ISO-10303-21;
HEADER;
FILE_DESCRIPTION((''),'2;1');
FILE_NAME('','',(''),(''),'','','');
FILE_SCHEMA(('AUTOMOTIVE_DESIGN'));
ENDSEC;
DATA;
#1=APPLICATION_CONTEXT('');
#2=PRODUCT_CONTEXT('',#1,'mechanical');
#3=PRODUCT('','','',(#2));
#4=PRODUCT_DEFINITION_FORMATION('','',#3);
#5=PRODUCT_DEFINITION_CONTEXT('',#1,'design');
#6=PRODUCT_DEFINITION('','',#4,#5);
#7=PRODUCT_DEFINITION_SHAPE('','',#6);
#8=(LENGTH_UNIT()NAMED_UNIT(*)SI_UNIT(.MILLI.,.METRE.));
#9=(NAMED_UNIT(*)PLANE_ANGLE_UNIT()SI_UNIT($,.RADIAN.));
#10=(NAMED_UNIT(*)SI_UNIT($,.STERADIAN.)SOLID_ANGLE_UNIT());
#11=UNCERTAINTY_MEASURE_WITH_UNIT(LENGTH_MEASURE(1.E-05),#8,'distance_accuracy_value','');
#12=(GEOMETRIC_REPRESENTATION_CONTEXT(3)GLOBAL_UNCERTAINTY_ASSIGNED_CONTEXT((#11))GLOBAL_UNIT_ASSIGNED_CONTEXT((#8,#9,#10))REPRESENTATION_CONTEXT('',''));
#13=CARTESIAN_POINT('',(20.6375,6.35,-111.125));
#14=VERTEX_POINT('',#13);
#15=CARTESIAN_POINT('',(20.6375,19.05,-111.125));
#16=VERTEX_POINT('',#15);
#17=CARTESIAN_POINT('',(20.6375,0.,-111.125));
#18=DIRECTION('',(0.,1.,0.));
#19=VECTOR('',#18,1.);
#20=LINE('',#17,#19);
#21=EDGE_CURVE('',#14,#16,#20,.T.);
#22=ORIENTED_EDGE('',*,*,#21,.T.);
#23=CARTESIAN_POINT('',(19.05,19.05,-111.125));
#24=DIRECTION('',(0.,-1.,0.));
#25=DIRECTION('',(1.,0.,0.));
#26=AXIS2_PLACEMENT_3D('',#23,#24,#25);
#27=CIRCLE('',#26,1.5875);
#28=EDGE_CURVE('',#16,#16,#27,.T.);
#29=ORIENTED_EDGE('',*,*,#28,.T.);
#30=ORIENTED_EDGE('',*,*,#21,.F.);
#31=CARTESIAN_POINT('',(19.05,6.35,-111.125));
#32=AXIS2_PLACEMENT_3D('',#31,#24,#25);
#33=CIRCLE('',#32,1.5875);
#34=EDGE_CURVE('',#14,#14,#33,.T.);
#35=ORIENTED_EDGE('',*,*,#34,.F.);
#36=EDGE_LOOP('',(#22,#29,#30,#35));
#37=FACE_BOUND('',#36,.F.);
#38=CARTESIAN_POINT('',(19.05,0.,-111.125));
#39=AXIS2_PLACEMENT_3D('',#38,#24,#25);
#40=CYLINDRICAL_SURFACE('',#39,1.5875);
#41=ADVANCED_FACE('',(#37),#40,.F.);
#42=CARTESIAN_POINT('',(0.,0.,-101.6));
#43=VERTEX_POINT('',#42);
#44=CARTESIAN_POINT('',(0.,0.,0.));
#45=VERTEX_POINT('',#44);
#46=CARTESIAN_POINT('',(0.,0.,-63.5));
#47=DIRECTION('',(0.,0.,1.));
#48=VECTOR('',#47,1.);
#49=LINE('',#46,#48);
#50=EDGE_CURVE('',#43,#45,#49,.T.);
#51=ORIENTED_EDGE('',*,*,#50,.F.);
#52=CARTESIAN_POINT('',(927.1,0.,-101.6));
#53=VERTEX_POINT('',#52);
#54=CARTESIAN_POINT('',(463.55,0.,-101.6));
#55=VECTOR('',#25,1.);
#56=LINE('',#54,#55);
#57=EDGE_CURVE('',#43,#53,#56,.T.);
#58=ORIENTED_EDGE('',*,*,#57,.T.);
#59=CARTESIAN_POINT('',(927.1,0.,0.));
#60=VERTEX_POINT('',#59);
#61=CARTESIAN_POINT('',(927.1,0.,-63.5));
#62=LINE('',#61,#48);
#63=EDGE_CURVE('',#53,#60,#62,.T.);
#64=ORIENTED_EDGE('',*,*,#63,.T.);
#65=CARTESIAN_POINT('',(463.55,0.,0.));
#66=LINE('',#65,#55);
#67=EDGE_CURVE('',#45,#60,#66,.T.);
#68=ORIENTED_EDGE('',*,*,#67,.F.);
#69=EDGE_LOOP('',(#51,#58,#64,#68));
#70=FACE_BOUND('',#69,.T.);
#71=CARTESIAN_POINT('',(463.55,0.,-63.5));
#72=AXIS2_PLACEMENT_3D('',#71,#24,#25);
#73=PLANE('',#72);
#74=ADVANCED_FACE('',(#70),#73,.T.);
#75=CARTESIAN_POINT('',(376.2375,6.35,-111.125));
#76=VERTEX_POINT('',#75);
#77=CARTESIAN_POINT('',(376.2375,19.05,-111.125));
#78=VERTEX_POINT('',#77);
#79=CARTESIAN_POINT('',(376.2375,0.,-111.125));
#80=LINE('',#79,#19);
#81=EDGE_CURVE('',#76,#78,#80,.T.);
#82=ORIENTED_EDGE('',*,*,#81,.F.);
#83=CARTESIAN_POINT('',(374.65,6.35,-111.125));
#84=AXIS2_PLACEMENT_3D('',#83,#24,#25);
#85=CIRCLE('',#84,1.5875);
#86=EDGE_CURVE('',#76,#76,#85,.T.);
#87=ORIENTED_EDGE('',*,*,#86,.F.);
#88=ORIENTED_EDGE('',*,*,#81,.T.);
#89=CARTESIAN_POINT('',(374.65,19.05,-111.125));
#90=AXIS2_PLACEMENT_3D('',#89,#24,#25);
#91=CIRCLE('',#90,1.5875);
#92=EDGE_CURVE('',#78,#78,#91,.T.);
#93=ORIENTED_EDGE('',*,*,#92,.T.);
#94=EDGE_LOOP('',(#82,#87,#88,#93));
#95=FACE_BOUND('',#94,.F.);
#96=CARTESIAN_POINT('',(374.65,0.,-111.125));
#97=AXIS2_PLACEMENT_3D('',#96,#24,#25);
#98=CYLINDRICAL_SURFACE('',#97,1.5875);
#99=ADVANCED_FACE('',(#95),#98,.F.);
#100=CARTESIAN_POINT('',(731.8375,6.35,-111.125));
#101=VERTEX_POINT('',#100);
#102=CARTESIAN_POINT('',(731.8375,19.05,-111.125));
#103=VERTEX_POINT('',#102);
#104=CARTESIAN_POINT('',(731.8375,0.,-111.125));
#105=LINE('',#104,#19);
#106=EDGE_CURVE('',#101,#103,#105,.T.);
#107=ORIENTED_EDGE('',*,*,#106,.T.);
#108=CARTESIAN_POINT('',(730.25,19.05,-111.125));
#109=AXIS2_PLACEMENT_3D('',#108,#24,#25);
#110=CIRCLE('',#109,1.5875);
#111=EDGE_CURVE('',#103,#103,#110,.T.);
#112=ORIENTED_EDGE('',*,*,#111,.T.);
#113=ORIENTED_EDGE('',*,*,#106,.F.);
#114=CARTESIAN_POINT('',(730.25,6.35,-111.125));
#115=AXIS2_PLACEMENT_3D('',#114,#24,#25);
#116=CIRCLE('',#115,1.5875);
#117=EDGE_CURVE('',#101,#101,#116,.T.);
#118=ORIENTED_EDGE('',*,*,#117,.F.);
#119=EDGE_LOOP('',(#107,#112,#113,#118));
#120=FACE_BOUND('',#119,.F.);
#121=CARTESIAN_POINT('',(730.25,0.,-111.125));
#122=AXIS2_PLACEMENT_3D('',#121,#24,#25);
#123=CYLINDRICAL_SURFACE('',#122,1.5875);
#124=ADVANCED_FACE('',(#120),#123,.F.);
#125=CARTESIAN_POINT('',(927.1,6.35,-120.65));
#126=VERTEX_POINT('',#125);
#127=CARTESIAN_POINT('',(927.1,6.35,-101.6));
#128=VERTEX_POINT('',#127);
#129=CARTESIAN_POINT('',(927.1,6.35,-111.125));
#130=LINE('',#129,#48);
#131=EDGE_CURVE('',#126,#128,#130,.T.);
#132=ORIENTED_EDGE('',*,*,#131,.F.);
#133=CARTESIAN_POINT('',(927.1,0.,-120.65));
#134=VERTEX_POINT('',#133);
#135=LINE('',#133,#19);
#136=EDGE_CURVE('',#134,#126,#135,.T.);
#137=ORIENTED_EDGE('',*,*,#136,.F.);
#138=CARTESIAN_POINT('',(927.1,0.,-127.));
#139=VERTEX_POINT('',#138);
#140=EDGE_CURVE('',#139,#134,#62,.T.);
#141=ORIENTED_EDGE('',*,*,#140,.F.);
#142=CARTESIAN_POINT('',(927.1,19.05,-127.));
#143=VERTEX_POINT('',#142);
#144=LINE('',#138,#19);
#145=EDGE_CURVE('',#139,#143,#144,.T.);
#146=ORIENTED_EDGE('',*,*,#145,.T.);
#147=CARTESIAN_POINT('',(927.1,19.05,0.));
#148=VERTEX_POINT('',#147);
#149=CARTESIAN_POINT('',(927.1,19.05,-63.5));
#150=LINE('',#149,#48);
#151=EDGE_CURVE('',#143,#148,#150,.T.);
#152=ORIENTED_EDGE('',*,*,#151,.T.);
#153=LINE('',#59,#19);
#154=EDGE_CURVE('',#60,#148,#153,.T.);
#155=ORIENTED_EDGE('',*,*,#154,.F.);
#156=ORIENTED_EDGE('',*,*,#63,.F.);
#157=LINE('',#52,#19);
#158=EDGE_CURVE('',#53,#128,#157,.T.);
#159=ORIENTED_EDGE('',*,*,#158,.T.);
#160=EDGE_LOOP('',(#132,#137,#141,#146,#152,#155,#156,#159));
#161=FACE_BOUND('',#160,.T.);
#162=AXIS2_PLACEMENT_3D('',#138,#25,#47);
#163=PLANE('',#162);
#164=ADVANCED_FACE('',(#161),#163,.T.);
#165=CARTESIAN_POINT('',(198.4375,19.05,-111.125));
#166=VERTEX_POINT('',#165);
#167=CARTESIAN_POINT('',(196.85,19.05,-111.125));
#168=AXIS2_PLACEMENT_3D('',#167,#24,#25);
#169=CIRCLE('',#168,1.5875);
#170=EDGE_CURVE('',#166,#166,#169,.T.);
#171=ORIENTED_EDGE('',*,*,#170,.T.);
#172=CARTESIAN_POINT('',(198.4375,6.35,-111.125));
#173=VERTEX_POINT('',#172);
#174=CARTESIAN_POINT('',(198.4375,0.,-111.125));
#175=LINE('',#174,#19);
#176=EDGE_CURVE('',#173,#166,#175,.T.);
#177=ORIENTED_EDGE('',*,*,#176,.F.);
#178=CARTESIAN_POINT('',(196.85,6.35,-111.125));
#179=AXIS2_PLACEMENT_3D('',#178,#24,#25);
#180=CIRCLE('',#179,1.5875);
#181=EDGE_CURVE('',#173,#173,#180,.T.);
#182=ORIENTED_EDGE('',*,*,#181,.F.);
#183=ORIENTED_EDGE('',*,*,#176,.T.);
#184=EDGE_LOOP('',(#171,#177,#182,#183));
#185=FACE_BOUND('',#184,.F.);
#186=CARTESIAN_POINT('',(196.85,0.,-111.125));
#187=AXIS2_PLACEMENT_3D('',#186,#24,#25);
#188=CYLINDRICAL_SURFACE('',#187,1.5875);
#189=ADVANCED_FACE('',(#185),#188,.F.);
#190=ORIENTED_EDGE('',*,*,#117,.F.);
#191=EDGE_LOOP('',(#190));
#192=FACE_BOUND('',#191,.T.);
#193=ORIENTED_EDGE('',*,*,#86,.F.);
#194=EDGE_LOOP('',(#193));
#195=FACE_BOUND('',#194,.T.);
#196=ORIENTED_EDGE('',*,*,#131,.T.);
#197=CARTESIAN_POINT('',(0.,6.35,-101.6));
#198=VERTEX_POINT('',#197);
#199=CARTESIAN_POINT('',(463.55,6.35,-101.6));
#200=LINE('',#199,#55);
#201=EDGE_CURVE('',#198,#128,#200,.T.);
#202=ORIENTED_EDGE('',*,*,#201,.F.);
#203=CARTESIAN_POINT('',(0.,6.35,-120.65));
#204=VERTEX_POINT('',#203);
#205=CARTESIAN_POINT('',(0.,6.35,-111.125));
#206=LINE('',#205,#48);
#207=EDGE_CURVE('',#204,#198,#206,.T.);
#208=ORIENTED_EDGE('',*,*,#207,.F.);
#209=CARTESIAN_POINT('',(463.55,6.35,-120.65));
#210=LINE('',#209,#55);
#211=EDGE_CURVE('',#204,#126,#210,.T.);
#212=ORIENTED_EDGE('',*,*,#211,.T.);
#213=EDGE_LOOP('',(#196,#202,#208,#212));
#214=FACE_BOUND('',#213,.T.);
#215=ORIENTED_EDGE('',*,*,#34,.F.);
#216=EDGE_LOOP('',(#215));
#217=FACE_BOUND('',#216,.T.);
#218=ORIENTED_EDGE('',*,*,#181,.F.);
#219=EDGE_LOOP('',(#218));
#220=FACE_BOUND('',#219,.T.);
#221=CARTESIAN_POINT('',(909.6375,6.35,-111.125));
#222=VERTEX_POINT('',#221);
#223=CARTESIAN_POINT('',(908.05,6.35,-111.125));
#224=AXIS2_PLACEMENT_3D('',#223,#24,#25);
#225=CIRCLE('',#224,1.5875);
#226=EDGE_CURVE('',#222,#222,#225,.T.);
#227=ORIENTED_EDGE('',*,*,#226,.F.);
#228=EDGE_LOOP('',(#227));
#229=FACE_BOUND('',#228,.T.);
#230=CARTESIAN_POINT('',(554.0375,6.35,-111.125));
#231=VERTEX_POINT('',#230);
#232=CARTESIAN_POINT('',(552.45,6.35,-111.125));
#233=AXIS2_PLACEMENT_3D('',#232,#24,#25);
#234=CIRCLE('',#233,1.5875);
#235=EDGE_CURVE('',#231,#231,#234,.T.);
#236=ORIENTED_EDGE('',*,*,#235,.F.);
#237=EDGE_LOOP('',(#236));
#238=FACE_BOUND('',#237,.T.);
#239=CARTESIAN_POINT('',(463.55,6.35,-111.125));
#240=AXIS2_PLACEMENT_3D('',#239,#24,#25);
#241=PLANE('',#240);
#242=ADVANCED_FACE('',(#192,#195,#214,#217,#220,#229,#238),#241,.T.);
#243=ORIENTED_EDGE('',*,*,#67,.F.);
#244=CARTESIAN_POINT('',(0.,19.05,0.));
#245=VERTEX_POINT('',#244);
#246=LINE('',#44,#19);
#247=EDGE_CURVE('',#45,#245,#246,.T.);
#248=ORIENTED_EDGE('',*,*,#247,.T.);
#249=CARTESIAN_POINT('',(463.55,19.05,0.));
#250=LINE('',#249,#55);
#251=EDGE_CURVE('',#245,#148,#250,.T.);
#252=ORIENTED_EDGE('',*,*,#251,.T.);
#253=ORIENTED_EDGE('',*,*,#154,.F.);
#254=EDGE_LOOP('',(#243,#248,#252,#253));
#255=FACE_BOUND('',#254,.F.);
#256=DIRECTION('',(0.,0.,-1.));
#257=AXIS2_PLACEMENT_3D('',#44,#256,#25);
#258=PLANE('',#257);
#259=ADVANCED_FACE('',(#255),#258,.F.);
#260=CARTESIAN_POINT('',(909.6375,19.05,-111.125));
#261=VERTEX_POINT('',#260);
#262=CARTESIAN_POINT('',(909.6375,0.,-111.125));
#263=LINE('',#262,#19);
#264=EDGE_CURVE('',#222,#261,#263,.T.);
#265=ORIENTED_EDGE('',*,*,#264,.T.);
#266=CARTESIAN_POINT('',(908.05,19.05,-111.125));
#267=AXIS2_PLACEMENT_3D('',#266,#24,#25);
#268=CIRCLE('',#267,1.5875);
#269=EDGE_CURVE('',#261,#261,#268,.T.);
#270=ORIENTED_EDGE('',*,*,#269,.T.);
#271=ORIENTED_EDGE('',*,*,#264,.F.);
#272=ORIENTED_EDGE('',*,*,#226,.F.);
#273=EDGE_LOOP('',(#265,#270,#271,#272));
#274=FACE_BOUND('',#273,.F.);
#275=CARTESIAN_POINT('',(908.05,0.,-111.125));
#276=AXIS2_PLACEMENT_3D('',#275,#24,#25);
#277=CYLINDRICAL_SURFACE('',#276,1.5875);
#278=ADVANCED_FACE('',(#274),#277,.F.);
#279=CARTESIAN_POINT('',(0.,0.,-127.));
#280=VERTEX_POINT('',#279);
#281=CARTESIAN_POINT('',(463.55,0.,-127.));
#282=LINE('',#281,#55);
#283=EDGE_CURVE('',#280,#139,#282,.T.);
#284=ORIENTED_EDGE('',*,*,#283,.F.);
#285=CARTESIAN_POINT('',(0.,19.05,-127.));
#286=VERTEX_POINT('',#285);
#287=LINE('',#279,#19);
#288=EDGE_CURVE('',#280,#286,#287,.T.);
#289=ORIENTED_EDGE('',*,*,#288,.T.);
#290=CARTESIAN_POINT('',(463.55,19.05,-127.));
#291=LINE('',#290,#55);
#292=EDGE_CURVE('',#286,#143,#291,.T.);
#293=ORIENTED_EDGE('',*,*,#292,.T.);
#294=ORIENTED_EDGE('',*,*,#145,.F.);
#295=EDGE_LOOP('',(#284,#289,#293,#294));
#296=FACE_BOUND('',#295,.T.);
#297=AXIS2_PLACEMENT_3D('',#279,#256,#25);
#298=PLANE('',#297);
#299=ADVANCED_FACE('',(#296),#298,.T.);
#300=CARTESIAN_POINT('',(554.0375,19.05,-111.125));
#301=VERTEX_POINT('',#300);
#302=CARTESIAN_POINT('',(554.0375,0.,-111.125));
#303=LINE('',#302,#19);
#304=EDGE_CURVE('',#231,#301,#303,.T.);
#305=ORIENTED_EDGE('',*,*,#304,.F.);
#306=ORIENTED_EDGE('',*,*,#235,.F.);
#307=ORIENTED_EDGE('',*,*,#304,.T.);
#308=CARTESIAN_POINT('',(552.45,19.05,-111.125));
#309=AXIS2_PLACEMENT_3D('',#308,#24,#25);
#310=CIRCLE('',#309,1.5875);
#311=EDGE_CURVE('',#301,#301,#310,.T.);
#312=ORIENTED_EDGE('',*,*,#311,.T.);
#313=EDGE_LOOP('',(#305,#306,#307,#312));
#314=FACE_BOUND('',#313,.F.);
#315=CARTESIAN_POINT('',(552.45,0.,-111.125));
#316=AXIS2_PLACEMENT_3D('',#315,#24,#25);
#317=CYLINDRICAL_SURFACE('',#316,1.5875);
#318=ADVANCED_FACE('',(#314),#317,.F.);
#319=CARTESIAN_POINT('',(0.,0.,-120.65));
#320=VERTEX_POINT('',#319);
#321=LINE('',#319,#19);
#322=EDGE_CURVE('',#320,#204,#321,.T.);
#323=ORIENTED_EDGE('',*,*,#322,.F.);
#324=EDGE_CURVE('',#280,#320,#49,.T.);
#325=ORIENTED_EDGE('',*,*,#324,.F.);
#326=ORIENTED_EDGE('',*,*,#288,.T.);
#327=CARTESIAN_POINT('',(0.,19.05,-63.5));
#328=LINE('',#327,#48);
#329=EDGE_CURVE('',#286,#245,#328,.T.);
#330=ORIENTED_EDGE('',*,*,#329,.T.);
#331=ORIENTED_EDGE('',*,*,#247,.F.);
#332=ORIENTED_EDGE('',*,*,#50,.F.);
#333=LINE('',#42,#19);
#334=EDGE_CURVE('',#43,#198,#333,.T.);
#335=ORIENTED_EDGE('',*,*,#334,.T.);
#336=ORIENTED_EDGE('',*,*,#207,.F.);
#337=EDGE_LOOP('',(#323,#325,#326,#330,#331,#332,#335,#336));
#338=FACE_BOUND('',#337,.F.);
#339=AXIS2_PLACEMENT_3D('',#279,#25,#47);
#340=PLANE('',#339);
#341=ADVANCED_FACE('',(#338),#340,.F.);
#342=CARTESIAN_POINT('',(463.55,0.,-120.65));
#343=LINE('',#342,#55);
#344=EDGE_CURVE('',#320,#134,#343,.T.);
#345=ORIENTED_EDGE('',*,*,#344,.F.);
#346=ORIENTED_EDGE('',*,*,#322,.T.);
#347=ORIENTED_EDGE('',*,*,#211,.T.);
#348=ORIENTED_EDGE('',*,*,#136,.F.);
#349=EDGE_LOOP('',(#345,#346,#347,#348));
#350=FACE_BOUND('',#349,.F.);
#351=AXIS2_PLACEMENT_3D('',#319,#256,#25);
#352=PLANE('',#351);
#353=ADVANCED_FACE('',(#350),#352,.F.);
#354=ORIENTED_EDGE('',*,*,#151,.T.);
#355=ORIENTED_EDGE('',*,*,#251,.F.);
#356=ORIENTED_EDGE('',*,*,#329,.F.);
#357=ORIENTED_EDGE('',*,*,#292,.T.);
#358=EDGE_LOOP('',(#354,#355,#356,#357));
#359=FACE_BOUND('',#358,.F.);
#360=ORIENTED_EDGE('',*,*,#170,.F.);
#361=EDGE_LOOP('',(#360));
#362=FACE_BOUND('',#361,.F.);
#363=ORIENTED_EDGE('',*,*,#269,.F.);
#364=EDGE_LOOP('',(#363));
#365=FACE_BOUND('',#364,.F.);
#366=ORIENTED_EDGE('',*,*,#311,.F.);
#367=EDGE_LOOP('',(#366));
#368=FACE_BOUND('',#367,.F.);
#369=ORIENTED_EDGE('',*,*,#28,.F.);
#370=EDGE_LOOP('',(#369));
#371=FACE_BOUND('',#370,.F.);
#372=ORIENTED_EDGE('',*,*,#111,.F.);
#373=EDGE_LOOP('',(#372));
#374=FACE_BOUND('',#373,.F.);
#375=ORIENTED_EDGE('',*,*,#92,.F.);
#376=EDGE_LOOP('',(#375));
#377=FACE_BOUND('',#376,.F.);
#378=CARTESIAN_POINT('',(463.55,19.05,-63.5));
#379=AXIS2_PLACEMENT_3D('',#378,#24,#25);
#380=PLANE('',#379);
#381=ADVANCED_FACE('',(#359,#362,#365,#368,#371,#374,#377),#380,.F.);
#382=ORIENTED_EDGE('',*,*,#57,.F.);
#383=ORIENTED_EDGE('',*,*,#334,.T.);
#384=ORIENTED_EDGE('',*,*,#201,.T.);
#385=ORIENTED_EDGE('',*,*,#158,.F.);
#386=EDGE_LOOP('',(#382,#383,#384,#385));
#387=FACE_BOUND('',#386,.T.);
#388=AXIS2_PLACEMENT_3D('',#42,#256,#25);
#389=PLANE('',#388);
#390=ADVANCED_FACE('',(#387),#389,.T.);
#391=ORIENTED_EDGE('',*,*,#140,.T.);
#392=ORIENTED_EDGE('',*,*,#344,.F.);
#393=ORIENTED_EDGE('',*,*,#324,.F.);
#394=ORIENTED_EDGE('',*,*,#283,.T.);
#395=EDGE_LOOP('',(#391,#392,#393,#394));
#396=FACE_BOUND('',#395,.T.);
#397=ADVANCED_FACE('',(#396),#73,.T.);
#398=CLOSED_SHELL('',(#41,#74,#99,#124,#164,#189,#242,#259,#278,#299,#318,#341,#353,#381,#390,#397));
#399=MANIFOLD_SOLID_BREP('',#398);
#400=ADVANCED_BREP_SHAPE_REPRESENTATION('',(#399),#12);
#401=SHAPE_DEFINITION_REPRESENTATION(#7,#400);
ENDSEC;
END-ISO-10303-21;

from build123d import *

# Parameters (mm, degrees)
F0_W     = 927.1
F0_H     = 127
F1_DEPTH = 19.05
F2_W     = 927.1
F2_H     = 19.05
F3_DEPTH = 6.35
F4_R     = 1.5875
F5_DEPTH = 19.051


with BuildPart() as f1:
    # F0 (on Front) → F1 (new body)
    with BuildSketch(Plane.XZ):
        with Locations((463.55, -63.5)):
            Rectangle(F0_W, F0_H)
    extrude(amount=-F1_DEPTH)

    # F2 (on Front) → F3 (cut)
    with BuildSketch(Plane.XZ):
        with Locations((463.55, -111.125)):
            Rectangle(F2_W, F2_H)
    extrude(amount=-F3_DEPTH, mode=Mode.SUBTRACT)

    # F4 (on Front) → F5 (cut, through all)
    with BuildSketch(Plane.XZ):
        with Locations((19.05, -111.125)):
            Circle(F4_R)
        with Locations((196.85, -111.125)):
            Circle(F4_R)
        with Locations((374.65, -111.125)):
            Circle(F4_R)
        with Locations((552.45, -111.125)):
            Circle(F4_R)
        with Locations((730.25, -111.125)):
            Circle(F4_R)
        with Locations((908.05, -111.125)):
            Circle(F4_R)
    extrude(amount=-F5_DEPTH, mode=Mode.SUBTRACT)


solid = f1.part
